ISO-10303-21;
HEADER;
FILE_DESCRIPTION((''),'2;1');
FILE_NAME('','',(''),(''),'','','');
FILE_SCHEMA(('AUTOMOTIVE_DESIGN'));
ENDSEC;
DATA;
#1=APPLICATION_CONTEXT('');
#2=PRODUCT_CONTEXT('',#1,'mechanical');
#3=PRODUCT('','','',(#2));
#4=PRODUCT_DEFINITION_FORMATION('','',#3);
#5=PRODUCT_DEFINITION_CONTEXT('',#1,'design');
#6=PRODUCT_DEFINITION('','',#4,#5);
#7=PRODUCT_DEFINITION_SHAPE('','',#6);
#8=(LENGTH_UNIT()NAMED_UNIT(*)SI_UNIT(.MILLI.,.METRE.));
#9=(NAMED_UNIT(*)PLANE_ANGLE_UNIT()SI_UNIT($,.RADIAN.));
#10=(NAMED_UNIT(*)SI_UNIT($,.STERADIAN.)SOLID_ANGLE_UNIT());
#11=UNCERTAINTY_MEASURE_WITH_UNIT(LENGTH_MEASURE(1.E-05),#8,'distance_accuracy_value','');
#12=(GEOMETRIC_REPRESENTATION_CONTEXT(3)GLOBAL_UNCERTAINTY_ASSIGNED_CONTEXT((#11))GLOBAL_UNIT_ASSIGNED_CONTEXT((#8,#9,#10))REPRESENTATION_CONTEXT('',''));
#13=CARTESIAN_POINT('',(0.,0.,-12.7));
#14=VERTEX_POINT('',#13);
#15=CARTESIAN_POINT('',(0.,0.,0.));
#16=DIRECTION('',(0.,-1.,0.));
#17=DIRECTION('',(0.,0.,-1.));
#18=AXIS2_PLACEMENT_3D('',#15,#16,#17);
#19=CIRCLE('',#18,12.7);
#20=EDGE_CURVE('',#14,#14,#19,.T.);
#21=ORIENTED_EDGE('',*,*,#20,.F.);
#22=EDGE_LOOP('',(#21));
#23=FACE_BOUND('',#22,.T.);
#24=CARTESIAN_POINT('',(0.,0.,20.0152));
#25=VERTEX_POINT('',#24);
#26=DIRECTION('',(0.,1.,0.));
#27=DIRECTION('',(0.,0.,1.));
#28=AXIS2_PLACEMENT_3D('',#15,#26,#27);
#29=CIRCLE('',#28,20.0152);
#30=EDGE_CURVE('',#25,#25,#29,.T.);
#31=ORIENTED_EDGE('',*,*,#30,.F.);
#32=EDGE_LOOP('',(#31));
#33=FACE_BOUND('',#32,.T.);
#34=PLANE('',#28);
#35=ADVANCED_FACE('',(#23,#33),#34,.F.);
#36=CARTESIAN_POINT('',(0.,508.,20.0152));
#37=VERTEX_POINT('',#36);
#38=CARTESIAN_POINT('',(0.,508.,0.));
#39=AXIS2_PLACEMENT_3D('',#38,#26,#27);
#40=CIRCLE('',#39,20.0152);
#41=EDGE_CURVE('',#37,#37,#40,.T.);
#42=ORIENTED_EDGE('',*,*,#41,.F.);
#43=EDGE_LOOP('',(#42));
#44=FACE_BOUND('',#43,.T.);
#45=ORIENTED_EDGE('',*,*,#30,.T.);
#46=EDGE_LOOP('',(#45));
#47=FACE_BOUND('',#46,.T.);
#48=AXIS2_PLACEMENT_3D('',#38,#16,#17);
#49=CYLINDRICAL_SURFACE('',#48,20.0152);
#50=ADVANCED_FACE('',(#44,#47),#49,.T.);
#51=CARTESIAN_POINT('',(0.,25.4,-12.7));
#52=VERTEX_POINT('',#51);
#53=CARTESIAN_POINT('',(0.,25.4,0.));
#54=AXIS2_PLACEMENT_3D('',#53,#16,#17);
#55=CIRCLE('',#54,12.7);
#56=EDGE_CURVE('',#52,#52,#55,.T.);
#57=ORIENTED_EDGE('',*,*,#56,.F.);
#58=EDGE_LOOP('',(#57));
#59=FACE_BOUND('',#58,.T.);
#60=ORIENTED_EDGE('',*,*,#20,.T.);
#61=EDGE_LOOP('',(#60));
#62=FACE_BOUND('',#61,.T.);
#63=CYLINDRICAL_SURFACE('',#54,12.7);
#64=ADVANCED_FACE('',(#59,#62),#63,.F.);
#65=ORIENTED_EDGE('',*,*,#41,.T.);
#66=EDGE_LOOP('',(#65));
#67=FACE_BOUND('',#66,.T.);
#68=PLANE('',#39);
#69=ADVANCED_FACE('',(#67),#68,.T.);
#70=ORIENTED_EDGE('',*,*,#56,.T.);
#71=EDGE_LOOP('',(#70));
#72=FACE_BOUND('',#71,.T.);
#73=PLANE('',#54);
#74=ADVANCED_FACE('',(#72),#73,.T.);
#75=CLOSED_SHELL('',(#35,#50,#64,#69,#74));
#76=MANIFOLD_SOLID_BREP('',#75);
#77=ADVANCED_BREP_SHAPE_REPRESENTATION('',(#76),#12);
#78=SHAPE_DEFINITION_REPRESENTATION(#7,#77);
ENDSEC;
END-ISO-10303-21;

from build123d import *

# Parameters (mm, degrees)
SKETCH1_R           = 20.0152
BOSS_EXTRUDE1_DEPTH = 508
SKETCH2_R           = 12.7
CUT_EXTRUDE1_DEPTH  = 25.4


with BuildPart() as part:
    # Sketch1 → Boss-Extrude1 (new body)
    with BuildSketch(Plane(origin=(0, 0, 0), x_dir=(1, 0, 0), z_dir=(0, 1, 0))):
        with Locations(Location((0, 0, 0), (0, 0, 270))):
            Circle(SKETCH1_R)
    extrude(amount=BOSS_EXTRUDE1_DEPTH)

    # Sketch2 → Cut-Extrude1 (cut)
    with BuildSketch(Plane.XZ):
        with Locations(Location((0, 0, 0), (0, 0, 270))):
            Circle(SKETCH2_R)
    extrude(amount=-CUT_EXTRUDE1_DEPTH, mode=Mode.SUBTRACT)


solid = part.part
